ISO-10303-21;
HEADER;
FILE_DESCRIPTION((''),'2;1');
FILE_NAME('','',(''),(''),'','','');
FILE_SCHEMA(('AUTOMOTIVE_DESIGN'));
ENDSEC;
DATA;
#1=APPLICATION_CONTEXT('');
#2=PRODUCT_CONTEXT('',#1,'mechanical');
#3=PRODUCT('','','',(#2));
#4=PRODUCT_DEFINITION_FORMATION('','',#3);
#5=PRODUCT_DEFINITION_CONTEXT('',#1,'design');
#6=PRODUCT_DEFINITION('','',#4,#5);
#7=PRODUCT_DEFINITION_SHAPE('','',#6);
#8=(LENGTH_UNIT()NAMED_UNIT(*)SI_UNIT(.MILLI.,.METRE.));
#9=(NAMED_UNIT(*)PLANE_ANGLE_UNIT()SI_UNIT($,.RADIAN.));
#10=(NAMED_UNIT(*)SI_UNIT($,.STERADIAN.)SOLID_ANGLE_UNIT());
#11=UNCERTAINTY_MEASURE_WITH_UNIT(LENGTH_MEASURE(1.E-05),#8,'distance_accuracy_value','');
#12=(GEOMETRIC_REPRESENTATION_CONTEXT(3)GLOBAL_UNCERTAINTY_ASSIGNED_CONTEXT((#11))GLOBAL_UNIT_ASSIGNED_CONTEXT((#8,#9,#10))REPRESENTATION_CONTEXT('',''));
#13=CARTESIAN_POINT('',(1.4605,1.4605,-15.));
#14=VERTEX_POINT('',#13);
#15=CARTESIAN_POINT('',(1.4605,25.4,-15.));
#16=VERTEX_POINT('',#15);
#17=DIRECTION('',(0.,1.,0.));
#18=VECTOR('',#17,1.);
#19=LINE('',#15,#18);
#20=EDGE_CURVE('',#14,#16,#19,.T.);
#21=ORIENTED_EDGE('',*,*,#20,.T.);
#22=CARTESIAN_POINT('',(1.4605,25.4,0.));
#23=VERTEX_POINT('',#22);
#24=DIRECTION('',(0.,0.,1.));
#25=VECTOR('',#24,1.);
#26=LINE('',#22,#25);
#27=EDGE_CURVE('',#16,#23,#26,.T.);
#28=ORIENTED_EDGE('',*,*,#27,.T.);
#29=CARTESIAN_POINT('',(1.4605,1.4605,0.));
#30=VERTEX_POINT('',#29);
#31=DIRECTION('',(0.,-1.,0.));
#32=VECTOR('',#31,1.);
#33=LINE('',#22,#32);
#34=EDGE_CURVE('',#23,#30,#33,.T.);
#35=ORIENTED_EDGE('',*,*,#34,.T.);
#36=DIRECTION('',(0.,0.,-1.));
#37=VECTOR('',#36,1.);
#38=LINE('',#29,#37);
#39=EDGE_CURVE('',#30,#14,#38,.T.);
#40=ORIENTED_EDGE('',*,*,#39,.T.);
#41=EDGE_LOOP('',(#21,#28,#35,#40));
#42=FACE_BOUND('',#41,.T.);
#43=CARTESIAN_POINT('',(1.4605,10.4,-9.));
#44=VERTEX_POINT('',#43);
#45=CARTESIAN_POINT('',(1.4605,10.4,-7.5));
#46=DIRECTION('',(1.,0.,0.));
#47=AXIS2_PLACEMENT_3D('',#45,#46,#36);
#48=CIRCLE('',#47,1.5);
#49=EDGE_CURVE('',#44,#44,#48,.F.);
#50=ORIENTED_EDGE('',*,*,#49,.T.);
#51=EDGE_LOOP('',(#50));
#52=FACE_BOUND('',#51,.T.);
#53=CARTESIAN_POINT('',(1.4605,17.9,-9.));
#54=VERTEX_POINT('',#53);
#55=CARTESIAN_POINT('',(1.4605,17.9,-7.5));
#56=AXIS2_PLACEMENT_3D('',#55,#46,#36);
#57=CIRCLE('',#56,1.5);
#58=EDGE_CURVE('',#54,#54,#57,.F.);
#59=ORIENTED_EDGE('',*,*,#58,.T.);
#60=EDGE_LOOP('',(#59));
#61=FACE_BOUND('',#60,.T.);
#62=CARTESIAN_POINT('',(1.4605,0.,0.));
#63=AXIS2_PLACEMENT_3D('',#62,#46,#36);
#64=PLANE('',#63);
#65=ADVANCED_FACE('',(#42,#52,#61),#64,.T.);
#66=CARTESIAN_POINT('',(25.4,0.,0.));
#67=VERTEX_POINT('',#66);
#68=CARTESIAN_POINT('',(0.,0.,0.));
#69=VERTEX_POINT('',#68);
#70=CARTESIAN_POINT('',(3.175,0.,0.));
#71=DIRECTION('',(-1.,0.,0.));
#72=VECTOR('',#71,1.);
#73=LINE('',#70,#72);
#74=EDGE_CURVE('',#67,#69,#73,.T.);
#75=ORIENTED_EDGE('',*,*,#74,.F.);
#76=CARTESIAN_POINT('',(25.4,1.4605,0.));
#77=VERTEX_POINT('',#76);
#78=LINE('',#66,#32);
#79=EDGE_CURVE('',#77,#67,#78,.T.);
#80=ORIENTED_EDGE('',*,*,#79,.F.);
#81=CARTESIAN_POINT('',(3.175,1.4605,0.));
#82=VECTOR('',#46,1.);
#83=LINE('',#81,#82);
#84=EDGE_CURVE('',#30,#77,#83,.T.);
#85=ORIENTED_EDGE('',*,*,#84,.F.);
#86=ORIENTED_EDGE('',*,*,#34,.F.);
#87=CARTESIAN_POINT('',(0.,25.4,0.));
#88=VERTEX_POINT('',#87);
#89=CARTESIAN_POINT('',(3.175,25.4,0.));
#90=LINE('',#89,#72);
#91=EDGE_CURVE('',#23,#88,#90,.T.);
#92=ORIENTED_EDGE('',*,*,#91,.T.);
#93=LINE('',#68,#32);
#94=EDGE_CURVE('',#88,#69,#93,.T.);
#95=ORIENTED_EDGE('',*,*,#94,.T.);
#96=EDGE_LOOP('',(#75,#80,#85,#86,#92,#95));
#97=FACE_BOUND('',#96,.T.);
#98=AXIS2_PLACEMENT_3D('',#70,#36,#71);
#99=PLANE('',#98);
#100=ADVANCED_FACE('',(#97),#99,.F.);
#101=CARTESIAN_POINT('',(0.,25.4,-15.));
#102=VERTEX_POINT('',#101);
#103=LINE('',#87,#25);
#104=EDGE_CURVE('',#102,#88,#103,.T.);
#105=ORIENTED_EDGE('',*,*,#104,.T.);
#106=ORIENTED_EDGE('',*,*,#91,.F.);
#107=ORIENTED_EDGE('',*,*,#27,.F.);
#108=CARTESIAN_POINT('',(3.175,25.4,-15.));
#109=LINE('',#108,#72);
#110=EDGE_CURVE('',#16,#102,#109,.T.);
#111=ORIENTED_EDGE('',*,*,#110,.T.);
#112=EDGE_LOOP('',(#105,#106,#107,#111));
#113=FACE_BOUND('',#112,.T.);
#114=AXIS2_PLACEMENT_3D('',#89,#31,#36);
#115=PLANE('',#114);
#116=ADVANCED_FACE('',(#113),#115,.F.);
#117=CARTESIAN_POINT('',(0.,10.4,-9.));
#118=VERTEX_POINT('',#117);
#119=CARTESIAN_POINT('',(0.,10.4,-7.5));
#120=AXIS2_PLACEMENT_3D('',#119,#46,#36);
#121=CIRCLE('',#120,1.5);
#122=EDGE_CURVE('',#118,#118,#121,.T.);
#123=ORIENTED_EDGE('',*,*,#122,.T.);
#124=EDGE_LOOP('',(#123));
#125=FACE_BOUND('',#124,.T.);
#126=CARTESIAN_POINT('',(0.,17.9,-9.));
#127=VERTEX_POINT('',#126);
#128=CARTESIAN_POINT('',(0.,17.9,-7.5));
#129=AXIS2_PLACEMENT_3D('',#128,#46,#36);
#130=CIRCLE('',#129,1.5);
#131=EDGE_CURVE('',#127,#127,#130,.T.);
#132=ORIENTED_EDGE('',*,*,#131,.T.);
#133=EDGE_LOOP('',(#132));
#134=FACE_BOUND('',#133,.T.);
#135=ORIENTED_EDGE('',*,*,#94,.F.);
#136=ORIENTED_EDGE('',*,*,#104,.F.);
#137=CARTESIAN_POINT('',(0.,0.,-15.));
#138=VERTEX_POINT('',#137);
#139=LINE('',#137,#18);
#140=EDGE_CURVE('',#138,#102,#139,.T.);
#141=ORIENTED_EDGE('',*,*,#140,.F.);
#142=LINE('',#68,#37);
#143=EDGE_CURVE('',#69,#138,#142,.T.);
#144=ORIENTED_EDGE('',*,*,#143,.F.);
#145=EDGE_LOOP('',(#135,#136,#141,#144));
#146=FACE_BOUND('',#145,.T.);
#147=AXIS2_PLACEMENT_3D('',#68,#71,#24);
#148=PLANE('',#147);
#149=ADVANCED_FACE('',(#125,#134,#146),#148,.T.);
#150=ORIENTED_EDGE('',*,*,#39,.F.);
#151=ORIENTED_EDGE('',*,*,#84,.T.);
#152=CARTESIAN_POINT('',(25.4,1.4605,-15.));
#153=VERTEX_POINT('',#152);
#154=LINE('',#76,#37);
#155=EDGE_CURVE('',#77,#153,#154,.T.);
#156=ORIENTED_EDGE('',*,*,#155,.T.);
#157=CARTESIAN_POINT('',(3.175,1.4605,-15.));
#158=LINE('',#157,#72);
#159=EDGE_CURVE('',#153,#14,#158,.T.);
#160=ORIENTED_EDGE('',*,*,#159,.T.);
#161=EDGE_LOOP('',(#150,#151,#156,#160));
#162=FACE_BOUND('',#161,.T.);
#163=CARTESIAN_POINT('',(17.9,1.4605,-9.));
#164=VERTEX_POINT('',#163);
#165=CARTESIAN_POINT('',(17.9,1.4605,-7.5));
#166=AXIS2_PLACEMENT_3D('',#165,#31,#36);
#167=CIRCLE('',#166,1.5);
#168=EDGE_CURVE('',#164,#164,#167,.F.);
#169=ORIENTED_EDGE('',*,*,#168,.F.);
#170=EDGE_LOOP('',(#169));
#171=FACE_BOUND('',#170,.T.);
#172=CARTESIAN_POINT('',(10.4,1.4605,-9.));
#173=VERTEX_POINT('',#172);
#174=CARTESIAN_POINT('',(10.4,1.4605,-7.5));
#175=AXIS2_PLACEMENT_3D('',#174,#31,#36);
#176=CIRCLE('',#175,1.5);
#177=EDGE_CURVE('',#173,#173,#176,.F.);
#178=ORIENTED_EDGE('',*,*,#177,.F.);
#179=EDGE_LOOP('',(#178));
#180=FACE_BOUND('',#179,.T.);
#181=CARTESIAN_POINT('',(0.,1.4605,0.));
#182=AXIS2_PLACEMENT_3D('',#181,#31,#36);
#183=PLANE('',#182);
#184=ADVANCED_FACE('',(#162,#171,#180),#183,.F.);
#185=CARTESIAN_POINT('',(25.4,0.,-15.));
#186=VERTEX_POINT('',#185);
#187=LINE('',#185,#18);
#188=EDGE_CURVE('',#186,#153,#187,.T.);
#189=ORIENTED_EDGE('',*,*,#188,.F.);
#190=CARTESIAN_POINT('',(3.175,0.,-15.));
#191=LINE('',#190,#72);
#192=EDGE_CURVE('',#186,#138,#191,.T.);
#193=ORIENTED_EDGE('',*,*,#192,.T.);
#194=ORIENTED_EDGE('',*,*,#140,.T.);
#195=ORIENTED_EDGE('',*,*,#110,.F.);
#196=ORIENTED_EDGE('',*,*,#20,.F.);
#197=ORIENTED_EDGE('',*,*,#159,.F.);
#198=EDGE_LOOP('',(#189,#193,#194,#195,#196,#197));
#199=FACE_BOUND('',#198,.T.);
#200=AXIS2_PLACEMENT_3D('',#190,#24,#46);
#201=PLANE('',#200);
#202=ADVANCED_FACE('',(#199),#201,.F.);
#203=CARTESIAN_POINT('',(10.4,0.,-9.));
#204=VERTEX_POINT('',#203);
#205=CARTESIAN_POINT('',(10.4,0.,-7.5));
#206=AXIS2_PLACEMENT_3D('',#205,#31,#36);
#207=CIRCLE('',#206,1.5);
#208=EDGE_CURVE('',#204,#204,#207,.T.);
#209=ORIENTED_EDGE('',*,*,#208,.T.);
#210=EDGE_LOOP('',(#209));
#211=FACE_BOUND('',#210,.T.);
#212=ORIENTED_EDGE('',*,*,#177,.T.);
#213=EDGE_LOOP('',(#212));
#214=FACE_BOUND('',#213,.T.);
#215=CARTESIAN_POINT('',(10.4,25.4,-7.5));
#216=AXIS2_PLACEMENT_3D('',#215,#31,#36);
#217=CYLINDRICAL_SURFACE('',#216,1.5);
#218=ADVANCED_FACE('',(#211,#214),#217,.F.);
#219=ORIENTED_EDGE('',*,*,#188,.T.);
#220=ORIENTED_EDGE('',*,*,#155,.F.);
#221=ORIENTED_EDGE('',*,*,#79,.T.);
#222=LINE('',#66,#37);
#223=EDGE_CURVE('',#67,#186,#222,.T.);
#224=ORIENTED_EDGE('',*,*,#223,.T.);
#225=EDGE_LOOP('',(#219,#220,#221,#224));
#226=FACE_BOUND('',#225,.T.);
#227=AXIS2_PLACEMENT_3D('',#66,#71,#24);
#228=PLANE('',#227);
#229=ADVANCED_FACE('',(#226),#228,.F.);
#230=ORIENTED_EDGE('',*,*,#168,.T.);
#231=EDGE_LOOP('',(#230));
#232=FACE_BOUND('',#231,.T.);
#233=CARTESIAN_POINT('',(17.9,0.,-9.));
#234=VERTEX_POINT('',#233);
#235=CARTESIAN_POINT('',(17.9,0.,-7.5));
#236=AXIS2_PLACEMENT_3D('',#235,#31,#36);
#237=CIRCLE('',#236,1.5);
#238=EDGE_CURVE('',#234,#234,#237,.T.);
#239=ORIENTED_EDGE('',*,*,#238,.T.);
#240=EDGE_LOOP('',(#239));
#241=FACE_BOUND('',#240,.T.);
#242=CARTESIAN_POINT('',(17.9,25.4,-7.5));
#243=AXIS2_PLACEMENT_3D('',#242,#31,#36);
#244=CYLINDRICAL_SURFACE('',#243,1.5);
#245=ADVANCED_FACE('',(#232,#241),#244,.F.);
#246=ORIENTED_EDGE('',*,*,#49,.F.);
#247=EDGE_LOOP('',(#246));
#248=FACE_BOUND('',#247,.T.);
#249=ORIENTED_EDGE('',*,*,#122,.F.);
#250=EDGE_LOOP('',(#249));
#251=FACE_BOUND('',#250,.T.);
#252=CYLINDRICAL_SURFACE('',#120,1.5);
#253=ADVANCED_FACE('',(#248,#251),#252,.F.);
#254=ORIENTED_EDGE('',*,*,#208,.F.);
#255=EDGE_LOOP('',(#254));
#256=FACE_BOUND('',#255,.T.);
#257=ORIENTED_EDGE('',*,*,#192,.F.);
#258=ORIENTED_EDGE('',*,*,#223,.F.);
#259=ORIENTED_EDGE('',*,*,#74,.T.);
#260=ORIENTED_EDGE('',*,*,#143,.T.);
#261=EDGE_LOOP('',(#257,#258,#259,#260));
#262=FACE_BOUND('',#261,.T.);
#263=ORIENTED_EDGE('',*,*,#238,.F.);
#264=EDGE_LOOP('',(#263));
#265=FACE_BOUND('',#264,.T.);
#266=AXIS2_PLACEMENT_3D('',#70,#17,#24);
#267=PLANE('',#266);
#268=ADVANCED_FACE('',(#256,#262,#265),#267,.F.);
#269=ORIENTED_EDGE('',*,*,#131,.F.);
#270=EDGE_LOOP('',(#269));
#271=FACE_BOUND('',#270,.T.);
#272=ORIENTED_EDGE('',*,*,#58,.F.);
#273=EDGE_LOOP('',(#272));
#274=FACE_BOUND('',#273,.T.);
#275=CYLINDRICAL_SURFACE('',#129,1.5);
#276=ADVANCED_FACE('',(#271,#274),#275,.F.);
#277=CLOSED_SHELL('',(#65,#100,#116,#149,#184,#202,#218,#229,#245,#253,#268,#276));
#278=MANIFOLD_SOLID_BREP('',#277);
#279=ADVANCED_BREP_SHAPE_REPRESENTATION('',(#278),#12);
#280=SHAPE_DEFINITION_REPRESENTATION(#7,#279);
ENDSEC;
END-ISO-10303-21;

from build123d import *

# Parameters (mm, degrees)
SKETCH1_W           = 15
SKETCH1_H           = 25.4
BOSS_EXTRUDE1_DEPTH = 3.175
SKETCH2_W           = 15
SKETCH2_H           = 3.175
BOSS_EXTRUDE2_DEPTH = 22.225
SKETCH4_R           = 1.5
CUT_EXTRUDE3_DEPTH  = 37.933868265
SKETCH3_R           = 1.5
CUT_EXTRUDE4_DEPTH  = 39.927111375
SKETCH7_W           = 22.225
SKETCH7_H           = 15
CUT_EXTRUDE7_DEPTH  = 1.7145
SKETCH8_W           = 15
SKETCH8_H           = 23.9395
CUT_EXTRUDE8_DEPTH  = 1.7145


with BuildPart() as part:
    # Sketch1 → Boss-Extrude1 (new body)
    with BuildSketch(Plane(origin=(0, 0, 0), x_dir=(0, 0, -1), z_dir=(1, 0, 0))):
        with Locations((7.5, 12.7)):
            Rectangle(SKETCH1_W, SKETCH1_H)
    extrude(amount=BOSS_EXTRUDE1_DEPTH)

    # Sketch2 → Boss-Extrude2 (add)
    with BuildSketch(Plane(origin=(3.175, 0, 0), x_dir=(0, 0, -1), z_dir=(1, 0, 0))):
        with Locations((7.5, 1.5875)):
            Rectangle(SKETCH2_W, SKETCH2_H)
    extrude(amount=BOSS_EXTRUDE2_DEPTH)

    # Sketch4 → Cut-Extrude3 (cut, through all)
    with BuildSketch(Plane(origin=(3.175, 0, 0), x_dir=(0, 0, -1), z_dir=(1, 0, 0))):
        with Locations((7.5, 17.9)):
            Circle(SKETCH4_R)
        with Locations((7.5, 10.4)):
            Circle(SKETCH4_R)
    extrude(amount=-CUT_EXTRUDE3_DEPTH, mode=Mode.SUBTRACT)

    # Sketch3 → Cut-Extrude4 (cut, through all)
    with BuildSketch(Plane.XZ):
        with Locations(Location((10.4, -7.5, 0), (0, 0, 270))):
            Circle(SKETCH3_R)
        with Locations(Location((17.9, -7.5, 0), (0, 0, 270))):
            Circle(SKETCH3_R)
    extrude(amount=-CUT_EXTRUDE4_DEPTH, mode=Mode.SUBTRACT)

    # Sketch7 → Cut-Extrude7 (cut)
    with BuildSketch(Plane(origin=(0, 3.175, 0), x_dir=(1, 0, 0), z_dir=(0, 1, 0))):
        with Locations((14.2875, 7.5)):
            Rectangle(SKETCH7_W, SKETCH7_H)
    extrude(amount=-CUT_EXTRUDE7_DEPTH, mode=Mode.SUBTRACT)

    # Sketch8 → Cut-Extrude8 (cut)
    with BuildSketch(Plane(origin=(3.175, 0, 0), x_dir=(0, 0, -1), z_dir=(1, 0, 0))):
        with Locations((7.5, 13.43025)):
            Rectangle(SKETCH8_W, SKETCH8_H)
    extrude(amount=-CUT_EXTRUDE8_DEPTH, mode=Mode.SUBTRACT)


solid = part.part
